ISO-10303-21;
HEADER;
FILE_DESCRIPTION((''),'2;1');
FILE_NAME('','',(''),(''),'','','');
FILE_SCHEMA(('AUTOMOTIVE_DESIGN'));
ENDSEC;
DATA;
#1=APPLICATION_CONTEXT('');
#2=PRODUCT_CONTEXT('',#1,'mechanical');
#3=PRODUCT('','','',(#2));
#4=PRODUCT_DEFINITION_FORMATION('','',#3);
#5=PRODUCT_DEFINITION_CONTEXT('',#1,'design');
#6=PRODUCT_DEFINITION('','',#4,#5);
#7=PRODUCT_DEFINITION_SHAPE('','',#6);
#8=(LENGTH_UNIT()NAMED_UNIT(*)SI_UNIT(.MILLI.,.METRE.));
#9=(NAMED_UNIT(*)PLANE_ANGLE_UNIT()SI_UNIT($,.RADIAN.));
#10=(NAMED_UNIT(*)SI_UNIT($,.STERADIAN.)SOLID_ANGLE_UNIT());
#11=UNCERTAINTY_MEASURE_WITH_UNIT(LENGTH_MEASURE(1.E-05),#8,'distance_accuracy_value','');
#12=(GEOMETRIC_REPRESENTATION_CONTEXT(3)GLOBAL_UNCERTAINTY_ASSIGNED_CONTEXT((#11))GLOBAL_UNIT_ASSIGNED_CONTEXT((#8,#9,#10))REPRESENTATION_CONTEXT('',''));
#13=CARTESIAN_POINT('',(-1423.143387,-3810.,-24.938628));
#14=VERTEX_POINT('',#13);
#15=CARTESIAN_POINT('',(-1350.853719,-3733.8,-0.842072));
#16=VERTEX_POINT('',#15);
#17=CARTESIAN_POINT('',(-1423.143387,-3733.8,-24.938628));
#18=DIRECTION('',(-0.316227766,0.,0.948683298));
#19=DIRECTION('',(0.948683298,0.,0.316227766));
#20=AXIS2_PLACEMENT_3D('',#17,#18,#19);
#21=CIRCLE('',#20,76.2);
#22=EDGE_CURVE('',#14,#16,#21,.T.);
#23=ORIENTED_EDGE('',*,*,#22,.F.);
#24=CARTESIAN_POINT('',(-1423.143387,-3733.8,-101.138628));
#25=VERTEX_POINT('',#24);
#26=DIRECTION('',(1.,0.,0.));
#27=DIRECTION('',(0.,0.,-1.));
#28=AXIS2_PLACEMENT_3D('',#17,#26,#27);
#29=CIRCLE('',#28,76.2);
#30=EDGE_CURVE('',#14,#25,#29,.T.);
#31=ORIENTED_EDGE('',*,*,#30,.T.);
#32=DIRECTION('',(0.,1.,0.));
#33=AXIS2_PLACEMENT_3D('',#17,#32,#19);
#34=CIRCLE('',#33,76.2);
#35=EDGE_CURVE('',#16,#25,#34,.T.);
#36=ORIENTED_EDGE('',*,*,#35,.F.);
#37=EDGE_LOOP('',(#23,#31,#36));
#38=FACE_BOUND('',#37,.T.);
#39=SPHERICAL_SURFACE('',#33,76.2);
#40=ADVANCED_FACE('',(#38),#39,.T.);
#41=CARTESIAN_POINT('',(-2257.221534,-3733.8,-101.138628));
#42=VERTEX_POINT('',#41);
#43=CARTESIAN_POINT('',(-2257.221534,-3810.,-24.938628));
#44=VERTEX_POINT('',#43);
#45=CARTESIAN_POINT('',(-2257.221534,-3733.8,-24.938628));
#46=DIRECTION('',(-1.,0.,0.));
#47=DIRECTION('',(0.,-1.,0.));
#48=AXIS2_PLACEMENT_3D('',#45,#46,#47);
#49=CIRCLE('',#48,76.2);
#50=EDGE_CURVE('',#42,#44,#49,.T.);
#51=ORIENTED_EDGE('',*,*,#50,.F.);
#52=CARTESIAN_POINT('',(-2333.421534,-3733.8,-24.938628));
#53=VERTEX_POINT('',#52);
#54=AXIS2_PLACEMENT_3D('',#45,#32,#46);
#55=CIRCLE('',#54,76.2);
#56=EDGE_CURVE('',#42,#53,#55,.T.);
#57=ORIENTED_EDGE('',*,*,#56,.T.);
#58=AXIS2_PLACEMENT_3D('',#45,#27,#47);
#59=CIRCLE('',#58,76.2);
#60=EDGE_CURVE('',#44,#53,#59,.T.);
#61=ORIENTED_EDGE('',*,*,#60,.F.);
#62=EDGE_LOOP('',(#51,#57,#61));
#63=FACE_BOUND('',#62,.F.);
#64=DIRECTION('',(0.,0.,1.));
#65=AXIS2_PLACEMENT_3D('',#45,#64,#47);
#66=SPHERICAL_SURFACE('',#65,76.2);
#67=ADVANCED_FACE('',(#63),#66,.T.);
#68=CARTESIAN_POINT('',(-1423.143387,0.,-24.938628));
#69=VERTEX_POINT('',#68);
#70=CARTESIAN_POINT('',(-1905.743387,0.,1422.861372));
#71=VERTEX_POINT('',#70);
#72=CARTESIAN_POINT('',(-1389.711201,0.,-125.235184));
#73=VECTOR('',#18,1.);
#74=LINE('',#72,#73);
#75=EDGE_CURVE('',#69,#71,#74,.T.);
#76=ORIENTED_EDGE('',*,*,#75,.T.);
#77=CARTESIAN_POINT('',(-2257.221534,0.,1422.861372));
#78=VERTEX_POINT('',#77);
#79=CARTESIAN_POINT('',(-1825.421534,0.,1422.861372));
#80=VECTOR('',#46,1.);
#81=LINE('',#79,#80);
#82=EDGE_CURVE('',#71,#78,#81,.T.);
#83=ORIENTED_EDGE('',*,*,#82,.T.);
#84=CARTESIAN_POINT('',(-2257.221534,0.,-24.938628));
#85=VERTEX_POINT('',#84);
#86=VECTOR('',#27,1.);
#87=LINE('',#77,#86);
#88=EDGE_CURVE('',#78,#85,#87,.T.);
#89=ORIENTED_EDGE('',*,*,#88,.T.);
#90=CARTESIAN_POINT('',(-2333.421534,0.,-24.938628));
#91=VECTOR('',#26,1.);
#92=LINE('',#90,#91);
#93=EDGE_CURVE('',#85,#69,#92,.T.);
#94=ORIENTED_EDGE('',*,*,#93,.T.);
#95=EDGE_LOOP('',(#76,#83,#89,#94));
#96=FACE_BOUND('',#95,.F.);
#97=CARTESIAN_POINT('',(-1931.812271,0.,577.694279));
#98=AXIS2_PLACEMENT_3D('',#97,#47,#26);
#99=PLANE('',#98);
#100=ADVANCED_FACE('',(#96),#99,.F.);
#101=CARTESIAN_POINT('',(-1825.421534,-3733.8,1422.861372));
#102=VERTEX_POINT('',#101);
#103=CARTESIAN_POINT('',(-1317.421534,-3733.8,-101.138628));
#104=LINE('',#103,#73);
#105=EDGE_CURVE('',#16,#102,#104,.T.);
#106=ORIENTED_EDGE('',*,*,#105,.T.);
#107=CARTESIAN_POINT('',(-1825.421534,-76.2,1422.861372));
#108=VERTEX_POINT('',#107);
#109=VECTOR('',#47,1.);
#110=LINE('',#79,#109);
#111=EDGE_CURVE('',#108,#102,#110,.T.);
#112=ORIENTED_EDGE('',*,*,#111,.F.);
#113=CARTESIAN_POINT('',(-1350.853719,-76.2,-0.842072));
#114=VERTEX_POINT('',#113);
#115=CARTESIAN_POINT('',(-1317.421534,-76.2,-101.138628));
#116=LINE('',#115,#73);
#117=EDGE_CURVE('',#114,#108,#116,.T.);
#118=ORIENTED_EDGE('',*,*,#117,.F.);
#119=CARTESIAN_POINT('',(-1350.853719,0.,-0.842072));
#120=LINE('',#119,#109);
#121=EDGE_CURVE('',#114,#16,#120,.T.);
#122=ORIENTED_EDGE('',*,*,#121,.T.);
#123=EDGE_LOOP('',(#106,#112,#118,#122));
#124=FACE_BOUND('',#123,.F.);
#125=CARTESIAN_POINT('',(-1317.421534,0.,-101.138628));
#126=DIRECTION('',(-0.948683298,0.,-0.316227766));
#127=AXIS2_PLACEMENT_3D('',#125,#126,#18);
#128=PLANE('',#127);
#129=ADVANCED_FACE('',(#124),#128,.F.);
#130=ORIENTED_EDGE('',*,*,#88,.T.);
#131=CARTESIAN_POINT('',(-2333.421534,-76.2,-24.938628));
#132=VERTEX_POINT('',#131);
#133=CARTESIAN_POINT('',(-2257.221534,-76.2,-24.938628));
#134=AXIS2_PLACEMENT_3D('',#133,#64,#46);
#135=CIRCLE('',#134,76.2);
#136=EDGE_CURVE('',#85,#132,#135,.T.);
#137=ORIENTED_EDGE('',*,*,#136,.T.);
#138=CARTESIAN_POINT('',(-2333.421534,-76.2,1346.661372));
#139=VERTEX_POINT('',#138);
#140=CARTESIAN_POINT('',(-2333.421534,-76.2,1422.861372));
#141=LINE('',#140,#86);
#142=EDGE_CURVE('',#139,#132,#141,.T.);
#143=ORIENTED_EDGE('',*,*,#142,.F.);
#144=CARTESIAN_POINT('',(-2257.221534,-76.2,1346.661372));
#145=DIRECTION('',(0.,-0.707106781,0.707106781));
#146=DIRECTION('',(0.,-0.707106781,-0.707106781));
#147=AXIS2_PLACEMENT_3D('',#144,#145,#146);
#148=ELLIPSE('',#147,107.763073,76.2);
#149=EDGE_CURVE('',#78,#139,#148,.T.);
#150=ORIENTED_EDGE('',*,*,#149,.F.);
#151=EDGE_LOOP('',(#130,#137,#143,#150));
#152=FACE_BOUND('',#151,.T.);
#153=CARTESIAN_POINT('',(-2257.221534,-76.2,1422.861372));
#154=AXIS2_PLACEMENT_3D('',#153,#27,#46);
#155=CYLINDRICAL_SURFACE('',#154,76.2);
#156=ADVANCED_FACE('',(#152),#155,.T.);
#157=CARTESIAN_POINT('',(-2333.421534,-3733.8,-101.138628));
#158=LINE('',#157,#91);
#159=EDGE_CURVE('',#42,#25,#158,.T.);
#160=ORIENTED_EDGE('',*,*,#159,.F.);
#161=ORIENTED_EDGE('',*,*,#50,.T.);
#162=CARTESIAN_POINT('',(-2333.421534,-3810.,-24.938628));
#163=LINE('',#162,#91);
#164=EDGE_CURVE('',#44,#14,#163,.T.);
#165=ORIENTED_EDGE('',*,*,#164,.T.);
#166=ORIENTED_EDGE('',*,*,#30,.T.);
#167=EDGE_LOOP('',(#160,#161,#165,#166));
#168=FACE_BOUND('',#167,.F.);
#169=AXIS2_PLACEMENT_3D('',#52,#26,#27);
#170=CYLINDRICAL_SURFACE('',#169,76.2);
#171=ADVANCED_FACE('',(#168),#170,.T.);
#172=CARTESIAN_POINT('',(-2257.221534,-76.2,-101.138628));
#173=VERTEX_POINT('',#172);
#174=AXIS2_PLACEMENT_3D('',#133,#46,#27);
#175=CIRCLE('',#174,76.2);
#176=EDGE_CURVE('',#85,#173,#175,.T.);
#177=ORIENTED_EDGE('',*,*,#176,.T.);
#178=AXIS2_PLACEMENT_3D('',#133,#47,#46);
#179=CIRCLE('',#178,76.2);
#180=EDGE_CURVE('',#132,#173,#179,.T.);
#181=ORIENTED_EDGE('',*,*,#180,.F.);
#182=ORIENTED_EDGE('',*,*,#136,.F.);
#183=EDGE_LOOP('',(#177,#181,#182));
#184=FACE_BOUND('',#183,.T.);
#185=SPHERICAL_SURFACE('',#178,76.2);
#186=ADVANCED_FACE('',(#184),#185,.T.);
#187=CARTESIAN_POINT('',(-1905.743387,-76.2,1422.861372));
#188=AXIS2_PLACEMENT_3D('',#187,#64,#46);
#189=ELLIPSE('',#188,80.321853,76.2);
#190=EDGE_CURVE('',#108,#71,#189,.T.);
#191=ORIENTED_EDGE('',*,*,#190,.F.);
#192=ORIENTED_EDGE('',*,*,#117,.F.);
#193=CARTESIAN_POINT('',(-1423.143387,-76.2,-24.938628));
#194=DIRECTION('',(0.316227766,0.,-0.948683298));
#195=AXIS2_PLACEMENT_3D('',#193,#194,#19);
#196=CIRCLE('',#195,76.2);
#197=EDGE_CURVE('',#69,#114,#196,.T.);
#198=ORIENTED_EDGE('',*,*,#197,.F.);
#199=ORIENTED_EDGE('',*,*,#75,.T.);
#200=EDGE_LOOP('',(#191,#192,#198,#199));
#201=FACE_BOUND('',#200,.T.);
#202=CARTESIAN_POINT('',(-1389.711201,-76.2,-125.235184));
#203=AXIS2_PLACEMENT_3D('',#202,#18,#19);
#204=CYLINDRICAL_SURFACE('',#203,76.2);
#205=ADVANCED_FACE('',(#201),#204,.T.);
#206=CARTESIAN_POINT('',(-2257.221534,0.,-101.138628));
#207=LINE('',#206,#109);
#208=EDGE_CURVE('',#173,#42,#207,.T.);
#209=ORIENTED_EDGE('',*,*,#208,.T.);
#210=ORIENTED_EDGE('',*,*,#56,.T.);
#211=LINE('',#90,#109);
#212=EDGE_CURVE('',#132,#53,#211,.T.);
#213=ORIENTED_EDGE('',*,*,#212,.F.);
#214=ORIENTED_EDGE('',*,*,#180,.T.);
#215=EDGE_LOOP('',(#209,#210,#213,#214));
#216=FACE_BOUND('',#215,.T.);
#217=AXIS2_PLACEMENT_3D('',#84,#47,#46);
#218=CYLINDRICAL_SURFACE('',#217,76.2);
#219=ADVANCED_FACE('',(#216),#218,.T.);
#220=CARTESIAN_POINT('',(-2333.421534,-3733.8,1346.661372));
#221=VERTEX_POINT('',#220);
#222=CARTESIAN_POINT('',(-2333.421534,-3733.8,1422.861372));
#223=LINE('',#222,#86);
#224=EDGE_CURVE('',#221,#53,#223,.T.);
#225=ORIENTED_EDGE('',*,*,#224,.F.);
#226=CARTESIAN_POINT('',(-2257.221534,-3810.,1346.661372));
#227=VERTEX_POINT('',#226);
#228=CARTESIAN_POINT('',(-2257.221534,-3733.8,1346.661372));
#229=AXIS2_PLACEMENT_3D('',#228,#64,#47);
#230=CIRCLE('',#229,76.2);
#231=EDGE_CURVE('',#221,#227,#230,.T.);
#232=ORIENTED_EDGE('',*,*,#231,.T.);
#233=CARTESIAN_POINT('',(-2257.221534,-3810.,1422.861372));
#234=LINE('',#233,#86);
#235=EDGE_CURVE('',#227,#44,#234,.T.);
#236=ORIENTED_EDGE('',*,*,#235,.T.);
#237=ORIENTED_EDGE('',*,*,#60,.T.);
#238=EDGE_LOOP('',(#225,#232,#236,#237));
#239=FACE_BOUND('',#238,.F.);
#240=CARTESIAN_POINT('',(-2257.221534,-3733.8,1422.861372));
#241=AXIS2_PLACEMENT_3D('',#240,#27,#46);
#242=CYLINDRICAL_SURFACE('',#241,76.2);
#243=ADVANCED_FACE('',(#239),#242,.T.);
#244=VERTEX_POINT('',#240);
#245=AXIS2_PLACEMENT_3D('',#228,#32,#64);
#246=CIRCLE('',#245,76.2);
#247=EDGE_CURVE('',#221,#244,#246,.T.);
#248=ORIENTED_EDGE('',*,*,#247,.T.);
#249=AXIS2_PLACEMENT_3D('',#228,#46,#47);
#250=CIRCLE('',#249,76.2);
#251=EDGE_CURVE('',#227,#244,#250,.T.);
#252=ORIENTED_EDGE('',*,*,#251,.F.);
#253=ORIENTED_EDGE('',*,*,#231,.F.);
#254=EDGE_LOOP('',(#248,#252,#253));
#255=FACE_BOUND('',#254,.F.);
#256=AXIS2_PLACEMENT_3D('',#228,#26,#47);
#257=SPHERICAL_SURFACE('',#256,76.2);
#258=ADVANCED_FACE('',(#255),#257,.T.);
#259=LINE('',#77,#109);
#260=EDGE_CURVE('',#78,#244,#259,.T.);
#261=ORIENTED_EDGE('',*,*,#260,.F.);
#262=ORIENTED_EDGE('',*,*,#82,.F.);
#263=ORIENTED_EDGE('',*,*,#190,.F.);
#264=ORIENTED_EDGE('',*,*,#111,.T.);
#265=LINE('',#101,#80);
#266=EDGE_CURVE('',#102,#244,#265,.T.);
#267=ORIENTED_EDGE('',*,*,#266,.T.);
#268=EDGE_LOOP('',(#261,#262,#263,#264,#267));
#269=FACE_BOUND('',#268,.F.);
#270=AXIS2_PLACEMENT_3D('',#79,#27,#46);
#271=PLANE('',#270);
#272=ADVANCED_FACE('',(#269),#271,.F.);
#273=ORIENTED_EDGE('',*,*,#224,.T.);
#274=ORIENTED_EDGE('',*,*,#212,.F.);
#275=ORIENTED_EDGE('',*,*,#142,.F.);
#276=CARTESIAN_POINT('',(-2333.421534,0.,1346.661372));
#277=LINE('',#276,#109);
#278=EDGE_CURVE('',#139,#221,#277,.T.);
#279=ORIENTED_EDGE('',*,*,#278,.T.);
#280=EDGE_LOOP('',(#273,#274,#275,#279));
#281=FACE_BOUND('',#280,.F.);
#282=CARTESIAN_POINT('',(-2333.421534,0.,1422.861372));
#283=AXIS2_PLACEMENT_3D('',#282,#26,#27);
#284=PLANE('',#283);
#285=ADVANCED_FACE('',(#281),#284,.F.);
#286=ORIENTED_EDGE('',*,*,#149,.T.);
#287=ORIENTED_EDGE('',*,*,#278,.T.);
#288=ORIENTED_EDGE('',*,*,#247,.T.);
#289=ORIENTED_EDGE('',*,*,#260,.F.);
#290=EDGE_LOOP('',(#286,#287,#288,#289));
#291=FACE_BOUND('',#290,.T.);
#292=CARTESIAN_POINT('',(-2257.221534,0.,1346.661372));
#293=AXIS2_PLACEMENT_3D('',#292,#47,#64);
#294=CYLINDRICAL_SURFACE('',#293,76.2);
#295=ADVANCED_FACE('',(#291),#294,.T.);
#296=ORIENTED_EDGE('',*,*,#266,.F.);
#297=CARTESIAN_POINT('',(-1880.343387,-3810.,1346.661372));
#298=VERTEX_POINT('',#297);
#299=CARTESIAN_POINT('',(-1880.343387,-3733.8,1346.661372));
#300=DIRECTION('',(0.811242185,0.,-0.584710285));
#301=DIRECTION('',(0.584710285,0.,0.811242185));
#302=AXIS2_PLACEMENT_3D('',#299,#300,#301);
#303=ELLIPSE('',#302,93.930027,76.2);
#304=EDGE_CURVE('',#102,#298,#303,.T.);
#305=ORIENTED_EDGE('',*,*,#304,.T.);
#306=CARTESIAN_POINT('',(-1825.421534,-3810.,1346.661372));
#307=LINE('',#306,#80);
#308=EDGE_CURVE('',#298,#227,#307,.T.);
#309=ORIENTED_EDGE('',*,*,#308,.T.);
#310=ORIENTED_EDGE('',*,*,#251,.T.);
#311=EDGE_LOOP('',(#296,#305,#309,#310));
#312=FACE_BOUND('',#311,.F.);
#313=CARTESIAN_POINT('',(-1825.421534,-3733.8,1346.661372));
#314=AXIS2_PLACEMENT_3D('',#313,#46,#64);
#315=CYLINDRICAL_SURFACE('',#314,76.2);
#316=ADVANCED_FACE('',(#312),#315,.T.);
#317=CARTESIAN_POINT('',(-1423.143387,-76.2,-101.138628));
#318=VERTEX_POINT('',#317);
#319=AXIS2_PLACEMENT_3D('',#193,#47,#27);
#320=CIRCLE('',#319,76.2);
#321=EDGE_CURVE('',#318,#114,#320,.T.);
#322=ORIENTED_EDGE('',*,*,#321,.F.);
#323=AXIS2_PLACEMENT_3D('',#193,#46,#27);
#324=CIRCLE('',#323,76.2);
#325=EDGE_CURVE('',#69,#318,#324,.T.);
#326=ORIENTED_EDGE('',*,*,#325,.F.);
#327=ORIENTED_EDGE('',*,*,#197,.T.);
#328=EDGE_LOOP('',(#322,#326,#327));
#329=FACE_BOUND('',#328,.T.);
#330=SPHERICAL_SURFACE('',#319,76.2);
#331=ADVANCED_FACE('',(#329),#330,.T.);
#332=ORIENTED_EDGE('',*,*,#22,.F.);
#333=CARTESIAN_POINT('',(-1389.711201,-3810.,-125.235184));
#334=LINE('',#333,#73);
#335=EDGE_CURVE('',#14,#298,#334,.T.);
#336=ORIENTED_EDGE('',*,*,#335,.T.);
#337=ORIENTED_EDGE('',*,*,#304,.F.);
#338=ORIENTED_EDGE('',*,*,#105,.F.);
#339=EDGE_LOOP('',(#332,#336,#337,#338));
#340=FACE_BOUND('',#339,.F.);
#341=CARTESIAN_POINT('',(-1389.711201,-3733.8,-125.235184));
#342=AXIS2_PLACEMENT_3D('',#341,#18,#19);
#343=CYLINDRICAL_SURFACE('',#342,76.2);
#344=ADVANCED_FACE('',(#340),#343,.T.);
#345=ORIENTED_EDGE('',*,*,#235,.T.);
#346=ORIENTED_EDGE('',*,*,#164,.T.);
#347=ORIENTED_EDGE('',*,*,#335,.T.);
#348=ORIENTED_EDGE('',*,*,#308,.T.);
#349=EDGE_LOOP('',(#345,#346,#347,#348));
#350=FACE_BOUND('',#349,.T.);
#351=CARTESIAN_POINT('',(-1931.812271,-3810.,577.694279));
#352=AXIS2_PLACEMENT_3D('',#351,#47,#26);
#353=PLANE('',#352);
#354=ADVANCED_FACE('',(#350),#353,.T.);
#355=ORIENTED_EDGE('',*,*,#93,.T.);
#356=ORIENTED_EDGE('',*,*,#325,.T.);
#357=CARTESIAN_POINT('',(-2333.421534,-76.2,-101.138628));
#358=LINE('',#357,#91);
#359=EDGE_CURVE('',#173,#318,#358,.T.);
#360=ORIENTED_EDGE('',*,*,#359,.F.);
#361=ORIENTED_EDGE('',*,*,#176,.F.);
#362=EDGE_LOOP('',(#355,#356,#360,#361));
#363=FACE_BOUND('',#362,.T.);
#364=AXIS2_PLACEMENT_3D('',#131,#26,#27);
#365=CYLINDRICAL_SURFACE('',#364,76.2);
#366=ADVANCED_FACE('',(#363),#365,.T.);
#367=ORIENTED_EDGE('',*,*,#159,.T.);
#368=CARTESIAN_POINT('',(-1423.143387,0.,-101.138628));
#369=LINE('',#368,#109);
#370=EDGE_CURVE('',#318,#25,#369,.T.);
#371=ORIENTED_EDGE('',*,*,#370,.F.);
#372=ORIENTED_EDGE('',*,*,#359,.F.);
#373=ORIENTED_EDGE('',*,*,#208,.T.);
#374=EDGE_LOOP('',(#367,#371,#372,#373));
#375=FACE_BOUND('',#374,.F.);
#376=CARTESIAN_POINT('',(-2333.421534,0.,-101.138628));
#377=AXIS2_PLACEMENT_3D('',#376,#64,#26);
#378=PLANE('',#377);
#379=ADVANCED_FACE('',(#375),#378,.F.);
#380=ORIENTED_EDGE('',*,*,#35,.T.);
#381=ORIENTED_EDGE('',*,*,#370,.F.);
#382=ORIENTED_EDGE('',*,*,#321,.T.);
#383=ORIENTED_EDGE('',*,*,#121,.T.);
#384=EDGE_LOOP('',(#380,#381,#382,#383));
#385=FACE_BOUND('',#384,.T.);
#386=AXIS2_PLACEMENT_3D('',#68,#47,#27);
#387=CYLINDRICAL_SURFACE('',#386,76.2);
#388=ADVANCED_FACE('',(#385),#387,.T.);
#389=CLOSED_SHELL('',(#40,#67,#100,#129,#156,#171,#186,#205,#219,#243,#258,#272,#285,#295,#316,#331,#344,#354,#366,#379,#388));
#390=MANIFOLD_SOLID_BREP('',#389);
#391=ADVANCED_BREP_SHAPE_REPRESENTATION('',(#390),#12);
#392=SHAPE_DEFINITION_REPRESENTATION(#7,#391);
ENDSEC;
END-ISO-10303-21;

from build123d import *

# Parameters (mm, degrees)
F1_DEPTH = 3810
F2_R     = 76.2


with BuildPart() as f1:
    # F0 (on Front) → F1 (new body)
    with BuildSketch(Plane.XZ):
        Polygon((-1825.421534, 1422.861372), (-2333.421534, 1422.861372), (-2333.421534, -101.138628), (-1317.421534, -101.138628), align=None)
    extrude(amount=F1_DEPTH)

    # F2
    f2_edges = [f1.edges().sort_by_distance(p)[0] for p in [
        (-1571.421534, -3810, 660.861372),
        (-1571.421534, 0, 660.861372),
        (-2079.421534, -3810, 1422.861372),
        (-2333.421534, -3810, 660.861372),
        (-1825.421534, -3810, -101.138628),
        (-2333.421534, -1905, 1422.861372),
        (-2333.421534, -1905, -101.138628),
        (-2333.421534, 0, 660.861372),
        (-1317.421534, -1905, -101.138628),
        (-1825.421534, 0, -101.138628),
    ]]
    fillet(f2_edges, radius=F2_R)


solid = f1.part
